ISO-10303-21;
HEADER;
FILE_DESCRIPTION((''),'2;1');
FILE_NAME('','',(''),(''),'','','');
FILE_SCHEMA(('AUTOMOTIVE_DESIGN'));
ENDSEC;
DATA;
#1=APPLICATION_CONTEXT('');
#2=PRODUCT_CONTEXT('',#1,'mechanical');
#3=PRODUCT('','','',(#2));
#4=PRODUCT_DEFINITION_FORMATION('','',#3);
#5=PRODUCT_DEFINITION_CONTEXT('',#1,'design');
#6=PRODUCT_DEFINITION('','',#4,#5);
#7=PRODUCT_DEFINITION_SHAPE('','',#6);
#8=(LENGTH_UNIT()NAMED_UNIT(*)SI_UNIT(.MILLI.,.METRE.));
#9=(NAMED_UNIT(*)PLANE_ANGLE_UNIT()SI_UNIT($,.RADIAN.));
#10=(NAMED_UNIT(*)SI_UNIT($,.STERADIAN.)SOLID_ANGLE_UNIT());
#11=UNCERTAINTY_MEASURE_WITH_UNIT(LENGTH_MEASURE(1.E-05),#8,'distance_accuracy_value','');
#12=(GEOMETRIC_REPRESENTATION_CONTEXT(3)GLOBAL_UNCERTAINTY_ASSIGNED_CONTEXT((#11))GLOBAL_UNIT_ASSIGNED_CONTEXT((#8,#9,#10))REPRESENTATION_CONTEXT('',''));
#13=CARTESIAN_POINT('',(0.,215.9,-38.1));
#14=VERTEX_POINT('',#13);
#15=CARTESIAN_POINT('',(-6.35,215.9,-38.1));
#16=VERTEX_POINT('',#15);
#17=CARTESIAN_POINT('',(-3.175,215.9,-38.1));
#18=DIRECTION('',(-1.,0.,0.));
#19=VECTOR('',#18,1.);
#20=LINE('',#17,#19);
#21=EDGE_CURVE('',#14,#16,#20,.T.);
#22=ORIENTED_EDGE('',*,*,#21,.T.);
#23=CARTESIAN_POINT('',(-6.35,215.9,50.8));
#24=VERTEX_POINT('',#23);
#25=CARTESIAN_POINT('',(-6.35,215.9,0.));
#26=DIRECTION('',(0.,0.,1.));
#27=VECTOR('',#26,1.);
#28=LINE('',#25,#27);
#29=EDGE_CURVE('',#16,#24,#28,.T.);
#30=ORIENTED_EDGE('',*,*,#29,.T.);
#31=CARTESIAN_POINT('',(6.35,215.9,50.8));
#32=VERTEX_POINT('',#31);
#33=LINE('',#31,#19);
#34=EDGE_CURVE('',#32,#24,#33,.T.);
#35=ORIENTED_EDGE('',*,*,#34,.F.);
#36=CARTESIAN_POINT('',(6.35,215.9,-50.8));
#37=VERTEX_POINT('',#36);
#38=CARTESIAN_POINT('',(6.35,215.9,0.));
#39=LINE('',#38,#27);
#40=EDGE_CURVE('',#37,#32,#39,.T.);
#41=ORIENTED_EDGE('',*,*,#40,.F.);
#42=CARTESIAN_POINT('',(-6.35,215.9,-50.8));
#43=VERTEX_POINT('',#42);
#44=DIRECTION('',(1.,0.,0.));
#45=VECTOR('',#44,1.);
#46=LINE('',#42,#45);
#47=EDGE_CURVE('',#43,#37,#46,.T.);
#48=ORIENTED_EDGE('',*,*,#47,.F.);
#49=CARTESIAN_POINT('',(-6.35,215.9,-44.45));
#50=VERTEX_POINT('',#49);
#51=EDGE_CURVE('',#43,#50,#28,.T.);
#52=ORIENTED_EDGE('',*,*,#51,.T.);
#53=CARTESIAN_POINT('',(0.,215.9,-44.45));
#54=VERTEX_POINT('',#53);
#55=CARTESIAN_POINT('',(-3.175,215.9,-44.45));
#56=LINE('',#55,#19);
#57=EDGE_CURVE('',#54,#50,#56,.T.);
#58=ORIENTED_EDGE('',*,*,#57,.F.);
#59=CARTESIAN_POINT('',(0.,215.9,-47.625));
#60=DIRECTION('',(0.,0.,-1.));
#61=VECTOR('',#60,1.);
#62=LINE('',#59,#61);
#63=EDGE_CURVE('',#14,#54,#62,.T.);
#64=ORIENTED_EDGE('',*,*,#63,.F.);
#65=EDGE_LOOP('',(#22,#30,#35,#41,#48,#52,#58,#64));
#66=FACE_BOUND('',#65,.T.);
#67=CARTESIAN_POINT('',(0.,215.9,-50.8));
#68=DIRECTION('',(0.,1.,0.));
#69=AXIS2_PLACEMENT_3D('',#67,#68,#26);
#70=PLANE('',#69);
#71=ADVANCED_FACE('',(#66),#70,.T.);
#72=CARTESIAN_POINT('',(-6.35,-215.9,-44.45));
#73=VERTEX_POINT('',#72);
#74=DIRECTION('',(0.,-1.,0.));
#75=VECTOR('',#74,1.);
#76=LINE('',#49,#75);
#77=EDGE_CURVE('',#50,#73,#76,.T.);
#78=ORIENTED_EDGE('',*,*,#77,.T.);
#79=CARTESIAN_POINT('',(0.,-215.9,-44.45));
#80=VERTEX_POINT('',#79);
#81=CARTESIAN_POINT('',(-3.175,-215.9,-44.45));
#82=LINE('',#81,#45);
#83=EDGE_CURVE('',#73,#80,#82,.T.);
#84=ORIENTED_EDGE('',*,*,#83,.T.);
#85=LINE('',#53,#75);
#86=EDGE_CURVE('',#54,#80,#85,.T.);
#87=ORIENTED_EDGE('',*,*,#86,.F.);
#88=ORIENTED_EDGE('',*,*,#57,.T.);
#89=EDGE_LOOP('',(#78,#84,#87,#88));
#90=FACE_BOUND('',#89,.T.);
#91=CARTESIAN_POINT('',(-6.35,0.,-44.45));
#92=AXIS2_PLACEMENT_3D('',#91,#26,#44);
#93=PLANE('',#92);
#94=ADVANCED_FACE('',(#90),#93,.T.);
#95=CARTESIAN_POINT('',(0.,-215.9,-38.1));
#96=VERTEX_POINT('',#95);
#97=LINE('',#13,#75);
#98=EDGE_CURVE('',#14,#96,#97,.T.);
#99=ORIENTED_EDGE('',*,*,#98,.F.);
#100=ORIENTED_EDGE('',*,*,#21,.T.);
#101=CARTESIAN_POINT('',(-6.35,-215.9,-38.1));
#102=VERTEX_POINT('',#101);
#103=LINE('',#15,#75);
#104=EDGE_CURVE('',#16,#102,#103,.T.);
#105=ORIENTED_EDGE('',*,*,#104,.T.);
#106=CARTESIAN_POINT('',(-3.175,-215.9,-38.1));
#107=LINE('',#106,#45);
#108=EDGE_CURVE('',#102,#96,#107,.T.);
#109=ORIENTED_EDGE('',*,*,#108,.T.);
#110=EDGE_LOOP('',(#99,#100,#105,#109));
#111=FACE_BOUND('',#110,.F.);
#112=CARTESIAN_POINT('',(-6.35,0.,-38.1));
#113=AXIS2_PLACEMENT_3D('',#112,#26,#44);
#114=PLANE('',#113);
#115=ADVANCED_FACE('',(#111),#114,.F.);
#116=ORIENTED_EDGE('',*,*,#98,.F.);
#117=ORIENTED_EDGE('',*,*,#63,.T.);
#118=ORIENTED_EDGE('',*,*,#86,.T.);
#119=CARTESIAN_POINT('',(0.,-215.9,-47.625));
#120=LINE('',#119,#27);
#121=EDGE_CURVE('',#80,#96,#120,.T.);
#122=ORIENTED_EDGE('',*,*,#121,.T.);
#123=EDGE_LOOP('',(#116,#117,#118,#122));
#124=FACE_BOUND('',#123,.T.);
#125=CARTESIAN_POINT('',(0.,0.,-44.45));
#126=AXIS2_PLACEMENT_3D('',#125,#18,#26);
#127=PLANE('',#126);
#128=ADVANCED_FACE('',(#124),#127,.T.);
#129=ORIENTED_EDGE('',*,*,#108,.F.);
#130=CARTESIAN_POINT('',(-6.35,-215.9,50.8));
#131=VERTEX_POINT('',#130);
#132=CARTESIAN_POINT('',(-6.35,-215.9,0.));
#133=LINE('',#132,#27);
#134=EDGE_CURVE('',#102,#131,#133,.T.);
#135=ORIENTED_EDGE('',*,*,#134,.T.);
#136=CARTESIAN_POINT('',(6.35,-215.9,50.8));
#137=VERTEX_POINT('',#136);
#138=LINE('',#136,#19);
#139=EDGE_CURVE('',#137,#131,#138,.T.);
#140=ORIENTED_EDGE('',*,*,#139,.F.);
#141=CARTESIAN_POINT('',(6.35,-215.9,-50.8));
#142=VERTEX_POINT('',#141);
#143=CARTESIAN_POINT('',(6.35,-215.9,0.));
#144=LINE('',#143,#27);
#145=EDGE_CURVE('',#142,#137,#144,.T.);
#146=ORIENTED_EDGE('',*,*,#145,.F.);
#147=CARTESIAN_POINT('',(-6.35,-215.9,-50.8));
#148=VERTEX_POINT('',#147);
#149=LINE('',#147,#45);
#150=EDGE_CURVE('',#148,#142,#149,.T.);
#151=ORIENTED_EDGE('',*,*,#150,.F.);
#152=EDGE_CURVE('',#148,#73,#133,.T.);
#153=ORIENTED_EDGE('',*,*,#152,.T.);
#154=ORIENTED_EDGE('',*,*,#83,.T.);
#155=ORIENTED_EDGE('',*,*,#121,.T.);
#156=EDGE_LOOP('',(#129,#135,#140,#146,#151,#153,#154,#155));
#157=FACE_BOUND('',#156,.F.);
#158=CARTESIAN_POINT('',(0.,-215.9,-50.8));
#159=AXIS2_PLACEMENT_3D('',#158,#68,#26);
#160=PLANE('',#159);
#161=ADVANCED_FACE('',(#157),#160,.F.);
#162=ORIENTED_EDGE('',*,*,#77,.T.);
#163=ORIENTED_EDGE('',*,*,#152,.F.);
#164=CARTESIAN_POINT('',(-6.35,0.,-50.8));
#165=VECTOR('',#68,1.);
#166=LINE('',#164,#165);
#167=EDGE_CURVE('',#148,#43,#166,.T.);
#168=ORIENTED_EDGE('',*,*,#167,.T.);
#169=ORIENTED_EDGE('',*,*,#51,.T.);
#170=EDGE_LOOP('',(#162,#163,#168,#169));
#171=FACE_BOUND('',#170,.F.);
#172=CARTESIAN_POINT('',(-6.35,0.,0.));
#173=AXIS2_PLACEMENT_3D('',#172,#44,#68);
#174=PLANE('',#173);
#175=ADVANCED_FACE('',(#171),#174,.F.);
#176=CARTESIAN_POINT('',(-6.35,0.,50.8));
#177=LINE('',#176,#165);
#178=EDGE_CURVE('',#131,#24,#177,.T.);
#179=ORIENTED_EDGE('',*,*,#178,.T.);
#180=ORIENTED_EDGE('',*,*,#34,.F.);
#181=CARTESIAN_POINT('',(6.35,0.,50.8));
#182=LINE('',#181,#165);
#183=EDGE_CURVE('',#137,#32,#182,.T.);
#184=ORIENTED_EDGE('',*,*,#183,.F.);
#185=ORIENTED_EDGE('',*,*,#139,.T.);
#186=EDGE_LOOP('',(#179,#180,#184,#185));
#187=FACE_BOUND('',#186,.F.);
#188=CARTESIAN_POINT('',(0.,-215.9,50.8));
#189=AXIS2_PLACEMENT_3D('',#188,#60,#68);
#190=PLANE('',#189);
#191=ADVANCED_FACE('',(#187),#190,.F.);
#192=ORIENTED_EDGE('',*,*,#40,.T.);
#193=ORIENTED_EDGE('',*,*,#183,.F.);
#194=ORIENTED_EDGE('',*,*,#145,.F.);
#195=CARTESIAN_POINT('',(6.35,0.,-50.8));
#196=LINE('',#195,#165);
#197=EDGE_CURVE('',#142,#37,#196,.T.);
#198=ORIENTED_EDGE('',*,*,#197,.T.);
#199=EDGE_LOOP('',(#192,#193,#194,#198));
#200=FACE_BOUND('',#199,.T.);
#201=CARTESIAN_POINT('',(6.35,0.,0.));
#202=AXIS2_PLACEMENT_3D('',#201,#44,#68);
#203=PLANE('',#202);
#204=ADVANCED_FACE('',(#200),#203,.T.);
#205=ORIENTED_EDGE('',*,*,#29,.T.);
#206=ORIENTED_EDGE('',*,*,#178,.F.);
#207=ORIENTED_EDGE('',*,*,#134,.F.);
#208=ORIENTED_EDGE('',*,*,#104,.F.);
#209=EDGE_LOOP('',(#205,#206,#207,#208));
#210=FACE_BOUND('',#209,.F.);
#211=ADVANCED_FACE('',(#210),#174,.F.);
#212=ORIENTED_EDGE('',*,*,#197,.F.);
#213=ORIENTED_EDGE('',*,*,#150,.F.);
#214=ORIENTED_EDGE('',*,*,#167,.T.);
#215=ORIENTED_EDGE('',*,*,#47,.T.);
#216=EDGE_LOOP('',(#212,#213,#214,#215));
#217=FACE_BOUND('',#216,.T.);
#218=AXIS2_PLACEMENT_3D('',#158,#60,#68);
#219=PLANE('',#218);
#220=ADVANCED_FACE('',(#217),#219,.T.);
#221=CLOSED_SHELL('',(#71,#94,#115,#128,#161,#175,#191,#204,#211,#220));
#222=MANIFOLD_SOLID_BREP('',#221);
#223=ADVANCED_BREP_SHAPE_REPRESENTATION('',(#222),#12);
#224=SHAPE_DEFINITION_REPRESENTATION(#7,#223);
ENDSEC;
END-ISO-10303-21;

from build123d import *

# Parameters (mm, degrees)
F0_W          = 431.8
F0_H          = 101.6
F1_DEPTH      = 6.35
F2_W          = 6.35
F2_H          = 6.35
F3_DEPTH      = 215.901
F3_DEPTH_BACK = 215.901


with BuildPart() as f1:
    # F0 (on Right) → F1 (new body, symmetric)
    with BuildSketch(Plane.YZ):
        Rectangle(F0_W, F0_H)
    extrude(amount=F1_DEPTH, both=True)

    # F2 (on Front) → F3 (cut, two sides)
    with BuildSketch(Plane.XZ) as f3_sk:
        with Locations((-3.175, -41.275)):
            Rectangle(F2_W, F2_H)
    extrude(amount=-F3_DEPTH, mode=Mode.SUBTRACT)
    extrude(f3_sk.sketch, amount=F3_DEPTH_BACK, mode=Mode.SUBTRACT)


solid = f1.part
